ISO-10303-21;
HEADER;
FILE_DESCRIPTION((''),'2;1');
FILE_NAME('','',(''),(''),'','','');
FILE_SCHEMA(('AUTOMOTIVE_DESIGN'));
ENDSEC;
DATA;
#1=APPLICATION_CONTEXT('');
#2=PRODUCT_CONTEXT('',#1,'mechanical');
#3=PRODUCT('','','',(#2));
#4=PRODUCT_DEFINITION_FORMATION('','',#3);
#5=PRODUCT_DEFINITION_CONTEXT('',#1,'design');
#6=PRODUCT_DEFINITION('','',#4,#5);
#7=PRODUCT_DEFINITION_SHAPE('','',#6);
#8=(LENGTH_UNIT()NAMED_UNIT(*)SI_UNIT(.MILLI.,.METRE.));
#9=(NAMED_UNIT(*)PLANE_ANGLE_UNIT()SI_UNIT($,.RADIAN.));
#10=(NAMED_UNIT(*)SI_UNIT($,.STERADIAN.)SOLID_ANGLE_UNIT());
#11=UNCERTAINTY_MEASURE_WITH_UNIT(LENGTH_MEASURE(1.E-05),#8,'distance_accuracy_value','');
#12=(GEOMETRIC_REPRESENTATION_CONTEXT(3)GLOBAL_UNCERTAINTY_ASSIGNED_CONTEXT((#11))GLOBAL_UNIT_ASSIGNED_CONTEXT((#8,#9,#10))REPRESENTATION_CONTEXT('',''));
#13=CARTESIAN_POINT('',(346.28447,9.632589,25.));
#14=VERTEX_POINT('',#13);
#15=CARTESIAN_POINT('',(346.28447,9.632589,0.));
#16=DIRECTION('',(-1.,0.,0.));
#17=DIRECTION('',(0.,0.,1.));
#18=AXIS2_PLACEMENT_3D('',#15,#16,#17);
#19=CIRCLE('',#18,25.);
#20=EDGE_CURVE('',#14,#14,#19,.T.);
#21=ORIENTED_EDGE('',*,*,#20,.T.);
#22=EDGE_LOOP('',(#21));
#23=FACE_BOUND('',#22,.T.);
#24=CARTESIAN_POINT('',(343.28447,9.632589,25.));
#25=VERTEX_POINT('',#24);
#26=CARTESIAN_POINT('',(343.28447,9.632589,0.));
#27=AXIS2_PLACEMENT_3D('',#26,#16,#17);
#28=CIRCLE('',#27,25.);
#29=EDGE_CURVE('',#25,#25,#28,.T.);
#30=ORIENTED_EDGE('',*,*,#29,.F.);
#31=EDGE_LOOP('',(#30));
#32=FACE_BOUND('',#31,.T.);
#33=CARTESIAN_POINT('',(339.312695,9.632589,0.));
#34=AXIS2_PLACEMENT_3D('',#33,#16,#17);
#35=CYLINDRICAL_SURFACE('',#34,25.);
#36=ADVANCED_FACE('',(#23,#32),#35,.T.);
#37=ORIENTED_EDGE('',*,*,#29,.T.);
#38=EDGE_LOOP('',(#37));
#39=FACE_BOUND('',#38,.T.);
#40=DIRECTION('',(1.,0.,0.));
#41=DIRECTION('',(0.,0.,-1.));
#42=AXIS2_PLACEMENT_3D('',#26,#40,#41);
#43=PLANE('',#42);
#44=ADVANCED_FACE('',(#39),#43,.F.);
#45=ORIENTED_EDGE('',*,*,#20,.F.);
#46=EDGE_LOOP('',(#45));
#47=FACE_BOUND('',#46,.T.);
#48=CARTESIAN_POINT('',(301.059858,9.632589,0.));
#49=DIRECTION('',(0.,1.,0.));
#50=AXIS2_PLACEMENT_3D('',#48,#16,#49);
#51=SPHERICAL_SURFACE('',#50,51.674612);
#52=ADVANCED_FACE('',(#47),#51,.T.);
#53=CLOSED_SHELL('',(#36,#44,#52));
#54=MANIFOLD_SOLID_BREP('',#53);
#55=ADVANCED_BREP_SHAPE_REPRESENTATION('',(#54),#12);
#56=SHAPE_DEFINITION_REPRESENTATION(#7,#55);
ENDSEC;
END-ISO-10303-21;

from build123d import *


with BuildPart() as part:
    # 草图1 → 旋转1 (revolve)
    with BuildSketch(Plane.XY):
        with BuildLine():
            Line((343.284470129, 9.632589186), (343.284470129, 34.632589186))
            Line((343.284470129, 34.632589186), (346.284470129, 34.632589186))
            ThreePointArc((346.284470129, 34.632589186), (351.095994088, 22.541912367), (352.734470129, 9.632589186))
            Line((352.734470129, 9.632589186), (343.284470129, 9.632589186))
        make_face()
    revolve(axis=Axis((339.31269484, 9.632589186, 0), (1, 0, 0)))


solid = part.part
